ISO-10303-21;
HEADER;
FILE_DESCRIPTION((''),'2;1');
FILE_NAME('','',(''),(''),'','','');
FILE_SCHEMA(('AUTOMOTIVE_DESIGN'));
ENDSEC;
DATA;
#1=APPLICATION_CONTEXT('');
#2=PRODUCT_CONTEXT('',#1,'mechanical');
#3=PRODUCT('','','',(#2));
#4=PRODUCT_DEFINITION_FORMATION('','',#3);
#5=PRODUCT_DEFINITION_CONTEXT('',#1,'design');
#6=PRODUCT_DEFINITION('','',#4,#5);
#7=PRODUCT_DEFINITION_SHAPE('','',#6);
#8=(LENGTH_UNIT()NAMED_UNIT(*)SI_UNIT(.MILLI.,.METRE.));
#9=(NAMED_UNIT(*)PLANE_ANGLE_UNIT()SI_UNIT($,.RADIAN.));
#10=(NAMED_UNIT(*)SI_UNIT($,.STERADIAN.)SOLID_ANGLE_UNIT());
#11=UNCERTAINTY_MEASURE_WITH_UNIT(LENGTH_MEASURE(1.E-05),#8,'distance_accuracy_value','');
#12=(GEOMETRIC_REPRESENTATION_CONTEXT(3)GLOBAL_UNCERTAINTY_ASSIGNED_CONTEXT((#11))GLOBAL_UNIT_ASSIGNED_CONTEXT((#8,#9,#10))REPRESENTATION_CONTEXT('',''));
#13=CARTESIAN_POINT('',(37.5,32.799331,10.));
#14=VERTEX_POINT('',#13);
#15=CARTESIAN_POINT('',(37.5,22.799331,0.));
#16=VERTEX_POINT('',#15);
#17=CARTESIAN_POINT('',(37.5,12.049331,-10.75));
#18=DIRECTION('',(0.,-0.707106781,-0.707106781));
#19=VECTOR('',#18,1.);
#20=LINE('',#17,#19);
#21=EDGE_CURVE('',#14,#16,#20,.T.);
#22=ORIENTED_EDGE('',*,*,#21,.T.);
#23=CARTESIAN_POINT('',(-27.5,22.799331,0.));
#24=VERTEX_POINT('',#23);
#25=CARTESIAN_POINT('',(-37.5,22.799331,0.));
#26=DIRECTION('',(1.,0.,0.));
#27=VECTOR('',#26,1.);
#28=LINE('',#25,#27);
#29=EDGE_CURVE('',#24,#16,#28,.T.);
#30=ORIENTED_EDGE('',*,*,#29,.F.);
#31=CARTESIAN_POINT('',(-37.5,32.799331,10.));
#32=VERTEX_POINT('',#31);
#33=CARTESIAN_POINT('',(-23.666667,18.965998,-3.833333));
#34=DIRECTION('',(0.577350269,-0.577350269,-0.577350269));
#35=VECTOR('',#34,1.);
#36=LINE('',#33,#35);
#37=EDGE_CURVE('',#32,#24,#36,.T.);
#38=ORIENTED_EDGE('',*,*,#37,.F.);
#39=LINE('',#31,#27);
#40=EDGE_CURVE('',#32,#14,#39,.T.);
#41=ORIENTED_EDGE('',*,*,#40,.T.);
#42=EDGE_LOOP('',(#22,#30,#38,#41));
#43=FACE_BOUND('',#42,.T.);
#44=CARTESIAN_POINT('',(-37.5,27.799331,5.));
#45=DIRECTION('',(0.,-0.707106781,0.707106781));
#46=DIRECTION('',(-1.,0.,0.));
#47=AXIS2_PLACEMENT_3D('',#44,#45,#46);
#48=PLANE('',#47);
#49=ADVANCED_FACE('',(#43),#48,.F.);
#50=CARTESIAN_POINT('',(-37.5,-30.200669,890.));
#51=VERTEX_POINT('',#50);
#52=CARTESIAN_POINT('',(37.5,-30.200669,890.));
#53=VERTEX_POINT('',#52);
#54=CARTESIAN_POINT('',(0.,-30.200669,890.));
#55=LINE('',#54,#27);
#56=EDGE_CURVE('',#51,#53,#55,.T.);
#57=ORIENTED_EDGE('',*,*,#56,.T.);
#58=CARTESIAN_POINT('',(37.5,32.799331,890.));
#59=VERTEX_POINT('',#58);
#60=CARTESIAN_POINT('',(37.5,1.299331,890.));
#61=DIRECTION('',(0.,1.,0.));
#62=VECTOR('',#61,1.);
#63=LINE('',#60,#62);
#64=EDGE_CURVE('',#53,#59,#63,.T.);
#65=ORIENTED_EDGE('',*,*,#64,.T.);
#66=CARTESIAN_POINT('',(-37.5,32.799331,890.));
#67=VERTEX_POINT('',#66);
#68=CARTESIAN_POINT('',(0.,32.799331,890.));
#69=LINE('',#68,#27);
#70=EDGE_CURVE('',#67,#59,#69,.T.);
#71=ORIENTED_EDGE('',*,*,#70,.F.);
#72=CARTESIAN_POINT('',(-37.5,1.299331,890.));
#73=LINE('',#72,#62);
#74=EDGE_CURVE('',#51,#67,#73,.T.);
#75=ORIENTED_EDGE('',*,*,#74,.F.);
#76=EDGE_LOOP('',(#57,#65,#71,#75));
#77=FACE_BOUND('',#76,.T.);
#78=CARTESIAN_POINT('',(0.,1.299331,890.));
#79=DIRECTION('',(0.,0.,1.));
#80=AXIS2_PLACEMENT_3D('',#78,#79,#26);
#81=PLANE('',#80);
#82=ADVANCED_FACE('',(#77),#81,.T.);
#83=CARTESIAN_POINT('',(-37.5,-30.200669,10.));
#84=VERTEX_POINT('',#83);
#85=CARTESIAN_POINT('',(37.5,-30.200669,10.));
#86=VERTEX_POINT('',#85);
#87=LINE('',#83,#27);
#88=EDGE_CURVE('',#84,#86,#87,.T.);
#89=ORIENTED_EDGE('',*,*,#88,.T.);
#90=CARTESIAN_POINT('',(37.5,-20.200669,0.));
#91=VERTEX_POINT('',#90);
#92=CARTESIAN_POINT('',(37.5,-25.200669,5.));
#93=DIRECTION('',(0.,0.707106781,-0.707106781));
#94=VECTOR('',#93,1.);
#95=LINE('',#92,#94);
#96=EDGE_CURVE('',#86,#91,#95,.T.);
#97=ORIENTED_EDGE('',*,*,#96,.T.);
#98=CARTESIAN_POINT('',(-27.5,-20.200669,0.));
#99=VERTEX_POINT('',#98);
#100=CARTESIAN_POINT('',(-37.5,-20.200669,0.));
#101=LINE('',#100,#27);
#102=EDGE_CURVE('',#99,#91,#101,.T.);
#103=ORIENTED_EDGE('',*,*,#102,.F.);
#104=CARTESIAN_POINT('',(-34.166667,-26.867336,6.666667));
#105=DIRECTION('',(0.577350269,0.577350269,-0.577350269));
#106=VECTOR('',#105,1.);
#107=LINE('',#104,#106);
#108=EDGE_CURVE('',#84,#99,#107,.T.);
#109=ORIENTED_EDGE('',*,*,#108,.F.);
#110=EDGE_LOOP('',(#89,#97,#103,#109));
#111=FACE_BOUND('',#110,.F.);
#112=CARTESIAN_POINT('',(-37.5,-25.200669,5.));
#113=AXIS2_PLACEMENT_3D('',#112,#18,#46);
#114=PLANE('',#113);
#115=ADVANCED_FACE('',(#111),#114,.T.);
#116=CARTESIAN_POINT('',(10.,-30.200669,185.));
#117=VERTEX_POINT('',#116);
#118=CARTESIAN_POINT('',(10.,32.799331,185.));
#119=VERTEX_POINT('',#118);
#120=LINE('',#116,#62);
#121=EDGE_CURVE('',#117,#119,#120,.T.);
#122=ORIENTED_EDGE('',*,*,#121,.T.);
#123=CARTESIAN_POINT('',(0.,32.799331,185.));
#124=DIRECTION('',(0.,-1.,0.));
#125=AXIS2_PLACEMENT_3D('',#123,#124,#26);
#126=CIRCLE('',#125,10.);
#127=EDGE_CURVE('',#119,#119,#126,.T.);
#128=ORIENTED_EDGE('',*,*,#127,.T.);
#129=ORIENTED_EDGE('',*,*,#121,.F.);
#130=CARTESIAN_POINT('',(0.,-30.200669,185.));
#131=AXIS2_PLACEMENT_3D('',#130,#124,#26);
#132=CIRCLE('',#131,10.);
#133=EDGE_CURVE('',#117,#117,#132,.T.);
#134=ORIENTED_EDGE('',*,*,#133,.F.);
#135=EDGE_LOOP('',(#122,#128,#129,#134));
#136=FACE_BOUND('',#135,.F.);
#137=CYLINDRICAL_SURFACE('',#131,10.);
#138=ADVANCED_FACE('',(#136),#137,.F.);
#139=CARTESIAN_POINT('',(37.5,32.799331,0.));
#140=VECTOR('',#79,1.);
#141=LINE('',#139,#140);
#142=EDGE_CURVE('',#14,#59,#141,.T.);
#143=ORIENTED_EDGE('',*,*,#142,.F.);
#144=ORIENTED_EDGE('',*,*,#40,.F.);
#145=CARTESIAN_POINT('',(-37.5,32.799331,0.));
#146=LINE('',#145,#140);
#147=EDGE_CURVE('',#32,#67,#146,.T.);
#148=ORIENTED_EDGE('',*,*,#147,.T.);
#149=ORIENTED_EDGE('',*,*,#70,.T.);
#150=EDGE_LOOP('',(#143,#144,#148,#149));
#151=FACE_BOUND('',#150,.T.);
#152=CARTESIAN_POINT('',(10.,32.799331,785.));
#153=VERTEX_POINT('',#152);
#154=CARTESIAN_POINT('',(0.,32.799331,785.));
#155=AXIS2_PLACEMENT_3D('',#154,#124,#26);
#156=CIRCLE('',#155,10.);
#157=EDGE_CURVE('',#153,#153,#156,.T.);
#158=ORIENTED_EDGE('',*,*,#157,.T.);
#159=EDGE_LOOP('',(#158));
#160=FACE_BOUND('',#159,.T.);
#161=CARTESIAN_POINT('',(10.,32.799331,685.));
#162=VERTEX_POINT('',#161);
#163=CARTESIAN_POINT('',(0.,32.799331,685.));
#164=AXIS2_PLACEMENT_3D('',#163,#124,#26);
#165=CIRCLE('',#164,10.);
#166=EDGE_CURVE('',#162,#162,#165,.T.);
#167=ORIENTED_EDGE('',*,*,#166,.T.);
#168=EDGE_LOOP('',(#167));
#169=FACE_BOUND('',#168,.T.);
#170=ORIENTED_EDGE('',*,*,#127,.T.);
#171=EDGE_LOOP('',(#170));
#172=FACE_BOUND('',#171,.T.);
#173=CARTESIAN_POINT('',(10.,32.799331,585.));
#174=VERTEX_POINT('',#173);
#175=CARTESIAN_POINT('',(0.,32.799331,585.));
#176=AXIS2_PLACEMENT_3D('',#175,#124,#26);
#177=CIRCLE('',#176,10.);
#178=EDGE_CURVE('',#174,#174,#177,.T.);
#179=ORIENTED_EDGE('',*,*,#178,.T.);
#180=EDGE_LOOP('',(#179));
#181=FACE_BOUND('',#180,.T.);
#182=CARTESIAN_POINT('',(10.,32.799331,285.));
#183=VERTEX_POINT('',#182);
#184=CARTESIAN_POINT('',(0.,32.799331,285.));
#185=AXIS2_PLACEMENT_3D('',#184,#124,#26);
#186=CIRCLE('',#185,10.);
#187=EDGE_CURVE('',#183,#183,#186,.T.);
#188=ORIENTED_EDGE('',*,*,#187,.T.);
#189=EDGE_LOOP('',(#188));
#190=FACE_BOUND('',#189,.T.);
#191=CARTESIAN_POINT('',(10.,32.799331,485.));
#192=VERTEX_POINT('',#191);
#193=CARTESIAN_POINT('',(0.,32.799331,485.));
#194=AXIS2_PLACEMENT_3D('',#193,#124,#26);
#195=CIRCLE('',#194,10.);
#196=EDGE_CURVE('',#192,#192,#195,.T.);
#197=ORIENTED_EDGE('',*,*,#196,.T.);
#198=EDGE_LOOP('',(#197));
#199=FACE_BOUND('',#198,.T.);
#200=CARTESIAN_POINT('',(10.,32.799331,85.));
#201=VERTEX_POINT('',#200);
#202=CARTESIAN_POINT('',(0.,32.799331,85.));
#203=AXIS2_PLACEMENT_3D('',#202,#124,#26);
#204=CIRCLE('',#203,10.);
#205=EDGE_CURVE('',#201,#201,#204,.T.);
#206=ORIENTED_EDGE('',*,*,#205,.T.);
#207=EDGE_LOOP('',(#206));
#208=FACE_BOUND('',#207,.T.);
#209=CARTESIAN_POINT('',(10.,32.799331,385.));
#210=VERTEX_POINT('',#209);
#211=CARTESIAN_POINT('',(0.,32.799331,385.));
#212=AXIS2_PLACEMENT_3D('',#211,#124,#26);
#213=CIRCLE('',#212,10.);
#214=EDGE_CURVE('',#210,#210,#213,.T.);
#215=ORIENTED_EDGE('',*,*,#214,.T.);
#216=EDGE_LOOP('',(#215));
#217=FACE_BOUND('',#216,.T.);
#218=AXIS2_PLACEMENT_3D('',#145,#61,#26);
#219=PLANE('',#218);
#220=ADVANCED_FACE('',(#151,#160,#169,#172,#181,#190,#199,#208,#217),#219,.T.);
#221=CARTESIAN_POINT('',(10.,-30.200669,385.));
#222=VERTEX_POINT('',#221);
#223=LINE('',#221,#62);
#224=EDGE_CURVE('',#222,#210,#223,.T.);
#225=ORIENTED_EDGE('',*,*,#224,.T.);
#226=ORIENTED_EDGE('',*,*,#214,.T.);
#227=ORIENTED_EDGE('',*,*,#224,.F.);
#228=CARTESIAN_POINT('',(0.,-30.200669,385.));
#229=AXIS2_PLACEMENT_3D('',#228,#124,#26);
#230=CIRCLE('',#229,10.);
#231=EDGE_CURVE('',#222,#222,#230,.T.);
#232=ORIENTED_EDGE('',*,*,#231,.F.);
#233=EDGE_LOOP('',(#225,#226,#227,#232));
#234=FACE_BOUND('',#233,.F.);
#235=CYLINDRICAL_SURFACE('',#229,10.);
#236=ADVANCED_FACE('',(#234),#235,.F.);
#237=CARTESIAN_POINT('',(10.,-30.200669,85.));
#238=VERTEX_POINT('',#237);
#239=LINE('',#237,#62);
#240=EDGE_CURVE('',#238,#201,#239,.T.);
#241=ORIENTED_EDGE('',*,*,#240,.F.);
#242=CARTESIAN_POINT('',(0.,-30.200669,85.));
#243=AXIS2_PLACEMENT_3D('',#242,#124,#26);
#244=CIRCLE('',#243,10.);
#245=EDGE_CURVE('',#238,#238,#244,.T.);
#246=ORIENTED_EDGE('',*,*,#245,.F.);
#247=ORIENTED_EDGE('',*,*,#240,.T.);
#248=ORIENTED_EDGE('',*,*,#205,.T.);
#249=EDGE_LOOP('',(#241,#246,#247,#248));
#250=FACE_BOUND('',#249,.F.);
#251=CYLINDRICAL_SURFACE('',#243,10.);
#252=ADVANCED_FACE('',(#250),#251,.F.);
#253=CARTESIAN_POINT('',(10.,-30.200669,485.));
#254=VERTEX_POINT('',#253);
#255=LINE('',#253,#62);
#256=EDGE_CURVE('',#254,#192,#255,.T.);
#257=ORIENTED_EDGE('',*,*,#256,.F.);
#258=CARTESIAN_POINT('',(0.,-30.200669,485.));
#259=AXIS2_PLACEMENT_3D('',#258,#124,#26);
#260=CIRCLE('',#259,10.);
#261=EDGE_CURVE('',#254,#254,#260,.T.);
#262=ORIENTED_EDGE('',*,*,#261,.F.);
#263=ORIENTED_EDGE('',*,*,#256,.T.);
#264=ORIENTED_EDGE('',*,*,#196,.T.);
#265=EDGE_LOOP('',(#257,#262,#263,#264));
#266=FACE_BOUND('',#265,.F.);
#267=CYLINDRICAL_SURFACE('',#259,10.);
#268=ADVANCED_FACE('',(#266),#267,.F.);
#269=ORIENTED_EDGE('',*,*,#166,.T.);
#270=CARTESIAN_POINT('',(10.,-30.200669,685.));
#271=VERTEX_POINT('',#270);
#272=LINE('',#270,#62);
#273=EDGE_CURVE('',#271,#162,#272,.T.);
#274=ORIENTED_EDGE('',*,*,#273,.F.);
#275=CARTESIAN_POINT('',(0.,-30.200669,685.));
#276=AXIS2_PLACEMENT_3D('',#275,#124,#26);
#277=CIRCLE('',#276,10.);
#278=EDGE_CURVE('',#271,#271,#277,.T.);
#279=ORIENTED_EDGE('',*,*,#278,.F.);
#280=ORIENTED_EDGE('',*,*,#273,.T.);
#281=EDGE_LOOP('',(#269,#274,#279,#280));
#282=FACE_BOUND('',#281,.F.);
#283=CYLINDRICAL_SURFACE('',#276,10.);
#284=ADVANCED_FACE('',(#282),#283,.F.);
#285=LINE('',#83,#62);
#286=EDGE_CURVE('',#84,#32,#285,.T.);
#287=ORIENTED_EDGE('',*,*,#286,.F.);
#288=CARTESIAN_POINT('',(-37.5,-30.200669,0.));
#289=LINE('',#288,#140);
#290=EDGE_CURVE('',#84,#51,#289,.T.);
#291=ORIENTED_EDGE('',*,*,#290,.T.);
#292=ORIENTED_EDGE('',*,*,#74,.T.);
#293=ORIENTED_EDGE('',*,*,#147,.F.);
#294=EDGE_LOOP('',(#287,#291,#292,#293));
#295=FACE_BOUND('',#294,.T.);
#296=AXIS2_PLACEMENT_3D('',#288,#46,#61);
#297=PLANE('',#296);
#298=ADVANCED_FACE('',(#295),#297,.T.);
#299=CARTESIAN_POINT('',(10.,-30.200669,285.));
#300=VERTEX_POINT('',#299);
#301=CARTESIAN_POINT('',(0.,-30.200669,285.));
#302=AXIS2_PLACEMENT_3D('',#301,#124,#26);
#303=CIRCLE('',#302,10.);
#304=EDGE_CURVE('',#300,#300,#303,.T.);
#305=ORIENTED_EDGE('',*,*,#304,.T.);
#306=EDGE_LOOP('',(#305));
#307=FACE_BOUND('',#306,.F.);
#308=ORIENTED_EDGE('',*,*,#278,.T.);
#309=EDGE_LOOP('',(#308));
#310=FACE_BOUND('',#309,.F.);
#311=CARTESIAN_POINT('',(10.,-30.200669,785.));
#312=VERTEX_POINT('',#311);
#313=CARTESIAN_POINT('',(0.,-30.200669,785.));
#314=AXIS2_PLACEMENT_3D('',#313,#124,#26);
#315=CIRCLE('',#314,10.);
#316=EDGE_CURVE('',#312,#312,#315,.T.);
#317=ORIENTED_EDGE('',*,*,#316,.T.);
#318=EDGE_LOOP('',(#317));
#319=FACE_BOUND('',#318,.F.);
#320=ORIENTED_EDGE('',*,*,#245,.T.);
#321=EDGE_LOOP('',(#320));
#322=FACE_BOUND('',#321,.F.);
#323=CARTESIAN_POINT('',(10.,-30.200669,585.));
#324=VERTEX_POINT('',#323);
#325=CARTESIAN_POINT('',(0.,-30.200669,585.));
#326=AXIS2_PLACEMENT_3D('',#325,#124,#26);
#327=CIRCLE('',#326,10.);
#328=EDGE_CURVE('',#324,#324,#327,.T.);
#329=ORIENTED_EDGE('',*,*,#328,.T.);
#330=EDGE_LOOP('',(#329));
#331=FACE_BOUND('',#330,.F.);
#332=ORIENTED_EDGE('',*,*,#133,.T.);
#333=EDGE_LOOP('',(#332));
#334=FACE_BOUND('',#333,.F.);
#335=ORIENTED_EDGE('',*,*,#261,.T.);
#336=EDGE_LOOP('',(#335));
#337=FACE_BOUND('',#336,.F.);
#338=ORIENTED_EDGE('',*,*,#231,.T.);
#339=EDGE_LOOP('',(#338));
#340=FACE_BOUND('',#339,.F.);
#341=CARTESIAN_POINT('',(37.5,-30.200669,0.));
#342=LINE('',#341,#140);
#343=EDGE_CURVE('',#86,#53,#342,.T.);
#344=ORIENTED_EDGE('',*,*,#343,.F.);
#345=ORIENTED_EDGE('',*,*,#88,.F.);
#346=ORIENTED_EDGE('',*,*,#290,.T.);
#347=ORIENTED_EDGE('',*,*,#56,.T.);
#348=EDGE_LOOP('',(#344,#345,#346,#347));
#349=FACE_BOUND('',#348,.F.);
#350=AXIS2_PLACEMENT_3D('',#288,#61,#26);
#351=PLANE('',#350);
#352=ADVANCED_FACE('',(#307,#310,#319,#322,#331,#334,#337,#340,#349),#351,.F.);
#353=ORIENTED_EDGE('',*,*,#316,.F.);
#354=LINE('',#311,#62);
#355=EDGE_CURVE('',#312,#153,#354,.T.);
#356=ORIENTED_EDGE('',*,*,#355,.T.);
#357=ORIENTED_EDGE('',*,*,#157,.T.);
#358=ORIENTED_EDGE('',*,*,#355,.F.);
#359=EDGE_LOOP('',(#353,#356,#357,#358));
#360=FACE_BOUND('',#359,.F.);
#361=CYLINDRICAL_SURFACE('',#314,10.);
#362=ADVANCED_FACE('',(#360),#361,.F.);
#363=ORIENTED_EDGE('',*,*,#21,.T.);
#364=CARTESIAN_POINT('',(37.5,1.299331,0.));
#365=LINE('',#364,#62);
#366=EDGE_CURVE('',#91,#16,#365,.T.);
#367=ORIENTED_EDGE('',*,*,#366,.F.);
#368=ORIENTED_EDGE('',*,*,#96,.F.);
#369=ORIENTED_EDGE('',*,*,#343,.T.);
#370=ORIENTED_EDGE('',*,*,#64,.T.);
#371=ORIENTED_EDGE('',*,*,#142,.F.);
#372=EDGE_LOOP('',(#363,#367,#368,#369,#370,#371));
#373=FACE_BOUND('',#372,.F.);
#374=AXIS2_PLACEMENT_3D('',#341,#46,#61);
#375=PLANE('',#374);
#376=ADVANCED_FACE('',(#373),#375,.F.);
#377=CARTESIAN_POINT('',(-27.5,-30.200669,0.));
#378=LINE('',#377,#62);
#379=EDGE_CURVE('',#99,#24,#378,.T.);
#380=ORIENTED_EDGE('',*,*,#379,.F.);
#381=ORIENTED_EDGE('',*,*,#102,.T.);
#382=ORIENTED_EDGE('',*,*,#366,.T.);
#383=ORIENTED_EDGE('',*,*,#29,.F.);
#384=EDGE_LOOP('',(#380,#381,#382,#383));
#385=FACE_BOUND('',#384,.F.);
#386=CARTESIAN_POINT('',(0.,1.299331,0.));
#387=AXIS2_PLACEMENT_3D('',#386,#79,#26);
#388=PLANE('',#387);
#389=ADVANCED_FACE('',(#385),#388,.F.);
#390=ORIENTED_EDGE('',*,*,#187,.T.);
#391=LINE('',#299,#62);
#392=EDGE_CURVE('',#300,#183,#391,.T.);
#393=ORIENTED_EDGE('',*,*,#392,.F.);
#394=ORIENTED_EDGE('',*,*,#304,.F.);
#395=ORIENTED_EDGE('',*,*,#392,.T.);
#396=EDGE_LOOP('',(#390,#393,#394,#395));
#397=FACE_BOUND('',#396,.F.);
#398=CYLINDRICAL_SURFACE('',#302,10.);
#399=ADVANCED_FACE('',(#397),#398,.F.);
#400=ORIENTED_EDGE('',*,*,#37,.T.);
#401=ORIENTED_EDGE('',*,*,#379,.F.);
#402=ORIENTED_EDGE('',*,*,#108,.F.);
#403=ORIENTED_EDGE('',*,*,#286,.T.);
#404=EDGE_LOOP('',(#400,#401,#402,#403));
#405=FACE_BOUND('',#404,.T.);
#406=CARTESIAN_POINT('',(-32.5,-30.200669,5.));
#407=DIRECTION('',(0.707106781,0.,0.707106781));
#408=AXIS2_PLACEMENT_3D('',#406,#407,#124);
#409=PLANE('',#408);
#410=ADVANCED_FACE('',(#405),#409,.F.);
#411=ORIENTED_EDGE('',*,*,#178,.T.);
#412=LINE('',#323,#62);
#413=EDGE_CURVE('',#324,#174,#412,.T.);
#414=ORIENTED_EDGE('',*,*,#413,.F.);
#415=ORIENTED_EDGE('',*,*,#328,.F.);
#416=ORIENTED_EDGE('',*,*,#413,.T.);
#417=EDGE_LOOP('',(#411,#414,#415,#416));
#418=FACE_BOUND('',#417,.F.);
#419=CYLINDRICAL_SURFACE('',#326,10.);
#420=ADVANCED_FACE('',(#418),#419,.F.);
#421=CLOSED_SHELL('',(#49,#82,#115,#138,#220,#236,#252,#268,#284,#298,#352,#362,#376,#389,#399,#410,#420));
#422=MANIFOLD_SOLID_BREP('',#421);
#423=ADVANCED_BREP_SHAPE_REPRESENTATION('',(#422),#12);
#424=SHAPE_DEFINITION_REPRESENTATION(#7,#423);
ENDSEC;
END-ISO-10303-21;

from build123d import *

# Parameters (mm, degrees)
F0_W     = 75
F0_H     = 63
F1_DEPTH = 890
F2_R     = 10
F3_DEPTH = 63.001
F4_SIZE  = 10


with BuildPart() as f1:
    # F0 (on Top) → F1 (new body)
    with BuildSketch(Plane.XY):
        with Locations((0, 1.299331)):
            Rectangle(F0_W, F0_H)
    extrude(amount=F1_DEPTH)

    # F2 (on face) → F3 (cut, through all)
    with BuildSketch(Plane.XZ.offset(30.200669)):
        with Locations((0, 85)):
            Circle(F2_R)
        with Locations((0, 185)):
            Circle(F2_R)
        with Locations((0, 285)):
            Circle(F2_R)
        with Locations((0, 385)):
            Circle(F2_R)
        with Locations((0, 485)):
            Circle(F2_R)
        with Locations((0, 585)):
            Circle(F2_R)
        with Locations((0, 685)):
            Circle(F2_R)
        with Locations((0, 785)):
            Circle(F2_R)
    extrude(amount=-F3_DEPTH, mode=Mode.SUBTRACT)

    # F4
    f4_edges = [f1.edges().sort_by_distance(p)[0] for p in [
        (0, 32.799331, 0),
        (-37.5, 1.299331, 0),
        (0, -30.200669, 0),
    ]]
    chamfer(f4_edges, length=F4_SIZE)


solid = f1.part
